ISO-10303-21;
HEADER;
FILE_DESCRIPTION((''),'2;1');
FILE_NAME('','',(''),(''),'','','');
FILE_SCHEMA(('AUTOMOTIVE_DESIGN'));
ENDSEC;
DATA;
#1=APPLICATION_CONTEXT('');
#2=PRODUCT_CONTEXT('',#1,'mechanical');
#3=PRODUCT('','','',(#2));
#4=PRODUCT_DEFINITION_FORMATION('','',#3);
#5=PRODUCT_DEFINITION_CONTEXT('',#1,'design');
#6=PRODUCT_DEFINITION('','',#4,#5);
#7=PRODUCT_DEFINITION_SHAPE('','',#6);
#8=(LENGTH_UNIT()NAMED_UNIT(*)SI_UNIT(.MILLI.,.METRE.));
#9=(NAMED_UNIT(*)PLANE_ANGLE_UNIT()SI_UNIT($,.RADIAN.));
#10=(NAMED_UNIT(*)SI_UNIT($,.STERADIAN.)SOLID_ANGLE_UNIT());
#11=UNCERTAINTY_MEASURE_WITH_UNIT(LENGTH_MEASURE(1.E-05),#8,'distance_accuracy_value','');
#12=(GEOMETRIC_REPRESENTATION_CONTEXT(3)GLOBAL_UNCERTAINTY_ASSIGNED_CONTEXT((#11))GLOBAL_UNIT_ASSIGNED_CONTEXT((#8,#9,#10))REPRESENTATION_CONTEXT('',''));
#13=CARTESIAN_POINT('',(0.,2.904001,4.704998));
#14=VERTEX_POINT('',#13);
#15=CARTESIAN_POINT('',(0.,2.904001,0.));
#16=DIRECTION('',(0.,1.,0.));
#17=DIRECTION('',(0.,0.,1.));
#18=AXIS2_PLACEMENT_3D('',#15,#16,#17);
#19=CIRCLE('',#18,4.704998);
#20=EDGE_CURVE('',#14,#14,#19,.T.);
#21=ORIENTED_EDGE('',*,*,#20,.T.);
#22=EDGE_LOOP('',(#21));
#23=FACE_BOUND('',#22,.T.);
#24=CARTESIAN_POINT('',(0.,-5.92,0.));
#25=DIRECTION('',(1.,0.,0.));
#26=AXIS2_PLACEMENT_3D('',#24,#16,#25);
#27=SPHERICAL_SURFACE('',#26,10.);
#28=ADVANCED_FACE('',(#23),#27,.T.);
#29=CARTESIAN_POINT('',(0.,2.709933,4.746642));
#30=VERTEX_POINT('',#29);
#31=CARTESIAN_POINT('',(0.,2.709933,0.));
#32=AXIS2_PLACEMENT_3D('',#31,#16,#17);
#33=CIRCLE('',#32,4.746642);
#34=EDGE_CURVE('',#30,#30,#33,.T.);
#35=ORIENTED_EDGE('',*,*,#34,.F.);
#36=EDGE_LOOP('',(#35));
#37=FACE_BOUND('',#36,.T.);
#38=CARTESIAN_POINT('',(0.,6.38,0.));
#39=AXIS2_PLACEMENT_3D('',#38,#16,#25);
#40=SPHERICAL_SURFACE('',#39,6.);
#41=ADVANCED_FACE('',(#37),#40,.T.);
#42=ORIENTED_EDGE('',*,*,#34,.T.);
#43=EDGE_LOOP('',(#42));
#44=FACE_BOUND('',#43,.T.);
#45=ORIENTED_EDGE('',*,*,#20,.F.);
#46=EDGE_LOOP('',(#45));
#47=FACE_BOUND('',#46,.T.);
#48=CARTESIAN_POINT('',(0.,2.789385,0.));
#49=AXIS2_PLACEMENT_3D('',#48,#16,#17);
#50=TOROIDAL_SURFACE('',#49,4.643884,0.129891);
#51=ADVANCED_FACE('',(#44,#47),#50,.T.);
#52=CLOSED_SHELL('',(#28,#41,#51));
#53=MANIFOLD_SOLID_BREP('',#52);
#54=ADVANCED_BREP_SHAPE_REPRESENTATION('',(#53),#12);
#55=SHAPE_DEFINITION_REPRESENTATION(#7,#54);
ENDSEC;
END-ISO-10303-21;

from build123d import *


with BuildPart() as part:
    # Sketch6 → lens (revolve)
    with BuildSketch(Plane.XY):
        with BuildLine():
            ThreePointArc((0, 0.38), (2.643822882, 0.993888177), (4.746641894, 2.709933144))
            ThreePointArc((4.746641894, 2.709933144), (4.77088424, 2.816637307), (4.704997748, 2.904001144))
            ThreePointArc((4.704997748, 2.904001144), (2.424869951, 3.781546563), (0, 4.08))
            Line((0, 4.08), (0, 0.38))
        make_face()
    revolve(axis=Axis((0, 7.032964905, 0), (0, -1, 0)))


solid = part.part
